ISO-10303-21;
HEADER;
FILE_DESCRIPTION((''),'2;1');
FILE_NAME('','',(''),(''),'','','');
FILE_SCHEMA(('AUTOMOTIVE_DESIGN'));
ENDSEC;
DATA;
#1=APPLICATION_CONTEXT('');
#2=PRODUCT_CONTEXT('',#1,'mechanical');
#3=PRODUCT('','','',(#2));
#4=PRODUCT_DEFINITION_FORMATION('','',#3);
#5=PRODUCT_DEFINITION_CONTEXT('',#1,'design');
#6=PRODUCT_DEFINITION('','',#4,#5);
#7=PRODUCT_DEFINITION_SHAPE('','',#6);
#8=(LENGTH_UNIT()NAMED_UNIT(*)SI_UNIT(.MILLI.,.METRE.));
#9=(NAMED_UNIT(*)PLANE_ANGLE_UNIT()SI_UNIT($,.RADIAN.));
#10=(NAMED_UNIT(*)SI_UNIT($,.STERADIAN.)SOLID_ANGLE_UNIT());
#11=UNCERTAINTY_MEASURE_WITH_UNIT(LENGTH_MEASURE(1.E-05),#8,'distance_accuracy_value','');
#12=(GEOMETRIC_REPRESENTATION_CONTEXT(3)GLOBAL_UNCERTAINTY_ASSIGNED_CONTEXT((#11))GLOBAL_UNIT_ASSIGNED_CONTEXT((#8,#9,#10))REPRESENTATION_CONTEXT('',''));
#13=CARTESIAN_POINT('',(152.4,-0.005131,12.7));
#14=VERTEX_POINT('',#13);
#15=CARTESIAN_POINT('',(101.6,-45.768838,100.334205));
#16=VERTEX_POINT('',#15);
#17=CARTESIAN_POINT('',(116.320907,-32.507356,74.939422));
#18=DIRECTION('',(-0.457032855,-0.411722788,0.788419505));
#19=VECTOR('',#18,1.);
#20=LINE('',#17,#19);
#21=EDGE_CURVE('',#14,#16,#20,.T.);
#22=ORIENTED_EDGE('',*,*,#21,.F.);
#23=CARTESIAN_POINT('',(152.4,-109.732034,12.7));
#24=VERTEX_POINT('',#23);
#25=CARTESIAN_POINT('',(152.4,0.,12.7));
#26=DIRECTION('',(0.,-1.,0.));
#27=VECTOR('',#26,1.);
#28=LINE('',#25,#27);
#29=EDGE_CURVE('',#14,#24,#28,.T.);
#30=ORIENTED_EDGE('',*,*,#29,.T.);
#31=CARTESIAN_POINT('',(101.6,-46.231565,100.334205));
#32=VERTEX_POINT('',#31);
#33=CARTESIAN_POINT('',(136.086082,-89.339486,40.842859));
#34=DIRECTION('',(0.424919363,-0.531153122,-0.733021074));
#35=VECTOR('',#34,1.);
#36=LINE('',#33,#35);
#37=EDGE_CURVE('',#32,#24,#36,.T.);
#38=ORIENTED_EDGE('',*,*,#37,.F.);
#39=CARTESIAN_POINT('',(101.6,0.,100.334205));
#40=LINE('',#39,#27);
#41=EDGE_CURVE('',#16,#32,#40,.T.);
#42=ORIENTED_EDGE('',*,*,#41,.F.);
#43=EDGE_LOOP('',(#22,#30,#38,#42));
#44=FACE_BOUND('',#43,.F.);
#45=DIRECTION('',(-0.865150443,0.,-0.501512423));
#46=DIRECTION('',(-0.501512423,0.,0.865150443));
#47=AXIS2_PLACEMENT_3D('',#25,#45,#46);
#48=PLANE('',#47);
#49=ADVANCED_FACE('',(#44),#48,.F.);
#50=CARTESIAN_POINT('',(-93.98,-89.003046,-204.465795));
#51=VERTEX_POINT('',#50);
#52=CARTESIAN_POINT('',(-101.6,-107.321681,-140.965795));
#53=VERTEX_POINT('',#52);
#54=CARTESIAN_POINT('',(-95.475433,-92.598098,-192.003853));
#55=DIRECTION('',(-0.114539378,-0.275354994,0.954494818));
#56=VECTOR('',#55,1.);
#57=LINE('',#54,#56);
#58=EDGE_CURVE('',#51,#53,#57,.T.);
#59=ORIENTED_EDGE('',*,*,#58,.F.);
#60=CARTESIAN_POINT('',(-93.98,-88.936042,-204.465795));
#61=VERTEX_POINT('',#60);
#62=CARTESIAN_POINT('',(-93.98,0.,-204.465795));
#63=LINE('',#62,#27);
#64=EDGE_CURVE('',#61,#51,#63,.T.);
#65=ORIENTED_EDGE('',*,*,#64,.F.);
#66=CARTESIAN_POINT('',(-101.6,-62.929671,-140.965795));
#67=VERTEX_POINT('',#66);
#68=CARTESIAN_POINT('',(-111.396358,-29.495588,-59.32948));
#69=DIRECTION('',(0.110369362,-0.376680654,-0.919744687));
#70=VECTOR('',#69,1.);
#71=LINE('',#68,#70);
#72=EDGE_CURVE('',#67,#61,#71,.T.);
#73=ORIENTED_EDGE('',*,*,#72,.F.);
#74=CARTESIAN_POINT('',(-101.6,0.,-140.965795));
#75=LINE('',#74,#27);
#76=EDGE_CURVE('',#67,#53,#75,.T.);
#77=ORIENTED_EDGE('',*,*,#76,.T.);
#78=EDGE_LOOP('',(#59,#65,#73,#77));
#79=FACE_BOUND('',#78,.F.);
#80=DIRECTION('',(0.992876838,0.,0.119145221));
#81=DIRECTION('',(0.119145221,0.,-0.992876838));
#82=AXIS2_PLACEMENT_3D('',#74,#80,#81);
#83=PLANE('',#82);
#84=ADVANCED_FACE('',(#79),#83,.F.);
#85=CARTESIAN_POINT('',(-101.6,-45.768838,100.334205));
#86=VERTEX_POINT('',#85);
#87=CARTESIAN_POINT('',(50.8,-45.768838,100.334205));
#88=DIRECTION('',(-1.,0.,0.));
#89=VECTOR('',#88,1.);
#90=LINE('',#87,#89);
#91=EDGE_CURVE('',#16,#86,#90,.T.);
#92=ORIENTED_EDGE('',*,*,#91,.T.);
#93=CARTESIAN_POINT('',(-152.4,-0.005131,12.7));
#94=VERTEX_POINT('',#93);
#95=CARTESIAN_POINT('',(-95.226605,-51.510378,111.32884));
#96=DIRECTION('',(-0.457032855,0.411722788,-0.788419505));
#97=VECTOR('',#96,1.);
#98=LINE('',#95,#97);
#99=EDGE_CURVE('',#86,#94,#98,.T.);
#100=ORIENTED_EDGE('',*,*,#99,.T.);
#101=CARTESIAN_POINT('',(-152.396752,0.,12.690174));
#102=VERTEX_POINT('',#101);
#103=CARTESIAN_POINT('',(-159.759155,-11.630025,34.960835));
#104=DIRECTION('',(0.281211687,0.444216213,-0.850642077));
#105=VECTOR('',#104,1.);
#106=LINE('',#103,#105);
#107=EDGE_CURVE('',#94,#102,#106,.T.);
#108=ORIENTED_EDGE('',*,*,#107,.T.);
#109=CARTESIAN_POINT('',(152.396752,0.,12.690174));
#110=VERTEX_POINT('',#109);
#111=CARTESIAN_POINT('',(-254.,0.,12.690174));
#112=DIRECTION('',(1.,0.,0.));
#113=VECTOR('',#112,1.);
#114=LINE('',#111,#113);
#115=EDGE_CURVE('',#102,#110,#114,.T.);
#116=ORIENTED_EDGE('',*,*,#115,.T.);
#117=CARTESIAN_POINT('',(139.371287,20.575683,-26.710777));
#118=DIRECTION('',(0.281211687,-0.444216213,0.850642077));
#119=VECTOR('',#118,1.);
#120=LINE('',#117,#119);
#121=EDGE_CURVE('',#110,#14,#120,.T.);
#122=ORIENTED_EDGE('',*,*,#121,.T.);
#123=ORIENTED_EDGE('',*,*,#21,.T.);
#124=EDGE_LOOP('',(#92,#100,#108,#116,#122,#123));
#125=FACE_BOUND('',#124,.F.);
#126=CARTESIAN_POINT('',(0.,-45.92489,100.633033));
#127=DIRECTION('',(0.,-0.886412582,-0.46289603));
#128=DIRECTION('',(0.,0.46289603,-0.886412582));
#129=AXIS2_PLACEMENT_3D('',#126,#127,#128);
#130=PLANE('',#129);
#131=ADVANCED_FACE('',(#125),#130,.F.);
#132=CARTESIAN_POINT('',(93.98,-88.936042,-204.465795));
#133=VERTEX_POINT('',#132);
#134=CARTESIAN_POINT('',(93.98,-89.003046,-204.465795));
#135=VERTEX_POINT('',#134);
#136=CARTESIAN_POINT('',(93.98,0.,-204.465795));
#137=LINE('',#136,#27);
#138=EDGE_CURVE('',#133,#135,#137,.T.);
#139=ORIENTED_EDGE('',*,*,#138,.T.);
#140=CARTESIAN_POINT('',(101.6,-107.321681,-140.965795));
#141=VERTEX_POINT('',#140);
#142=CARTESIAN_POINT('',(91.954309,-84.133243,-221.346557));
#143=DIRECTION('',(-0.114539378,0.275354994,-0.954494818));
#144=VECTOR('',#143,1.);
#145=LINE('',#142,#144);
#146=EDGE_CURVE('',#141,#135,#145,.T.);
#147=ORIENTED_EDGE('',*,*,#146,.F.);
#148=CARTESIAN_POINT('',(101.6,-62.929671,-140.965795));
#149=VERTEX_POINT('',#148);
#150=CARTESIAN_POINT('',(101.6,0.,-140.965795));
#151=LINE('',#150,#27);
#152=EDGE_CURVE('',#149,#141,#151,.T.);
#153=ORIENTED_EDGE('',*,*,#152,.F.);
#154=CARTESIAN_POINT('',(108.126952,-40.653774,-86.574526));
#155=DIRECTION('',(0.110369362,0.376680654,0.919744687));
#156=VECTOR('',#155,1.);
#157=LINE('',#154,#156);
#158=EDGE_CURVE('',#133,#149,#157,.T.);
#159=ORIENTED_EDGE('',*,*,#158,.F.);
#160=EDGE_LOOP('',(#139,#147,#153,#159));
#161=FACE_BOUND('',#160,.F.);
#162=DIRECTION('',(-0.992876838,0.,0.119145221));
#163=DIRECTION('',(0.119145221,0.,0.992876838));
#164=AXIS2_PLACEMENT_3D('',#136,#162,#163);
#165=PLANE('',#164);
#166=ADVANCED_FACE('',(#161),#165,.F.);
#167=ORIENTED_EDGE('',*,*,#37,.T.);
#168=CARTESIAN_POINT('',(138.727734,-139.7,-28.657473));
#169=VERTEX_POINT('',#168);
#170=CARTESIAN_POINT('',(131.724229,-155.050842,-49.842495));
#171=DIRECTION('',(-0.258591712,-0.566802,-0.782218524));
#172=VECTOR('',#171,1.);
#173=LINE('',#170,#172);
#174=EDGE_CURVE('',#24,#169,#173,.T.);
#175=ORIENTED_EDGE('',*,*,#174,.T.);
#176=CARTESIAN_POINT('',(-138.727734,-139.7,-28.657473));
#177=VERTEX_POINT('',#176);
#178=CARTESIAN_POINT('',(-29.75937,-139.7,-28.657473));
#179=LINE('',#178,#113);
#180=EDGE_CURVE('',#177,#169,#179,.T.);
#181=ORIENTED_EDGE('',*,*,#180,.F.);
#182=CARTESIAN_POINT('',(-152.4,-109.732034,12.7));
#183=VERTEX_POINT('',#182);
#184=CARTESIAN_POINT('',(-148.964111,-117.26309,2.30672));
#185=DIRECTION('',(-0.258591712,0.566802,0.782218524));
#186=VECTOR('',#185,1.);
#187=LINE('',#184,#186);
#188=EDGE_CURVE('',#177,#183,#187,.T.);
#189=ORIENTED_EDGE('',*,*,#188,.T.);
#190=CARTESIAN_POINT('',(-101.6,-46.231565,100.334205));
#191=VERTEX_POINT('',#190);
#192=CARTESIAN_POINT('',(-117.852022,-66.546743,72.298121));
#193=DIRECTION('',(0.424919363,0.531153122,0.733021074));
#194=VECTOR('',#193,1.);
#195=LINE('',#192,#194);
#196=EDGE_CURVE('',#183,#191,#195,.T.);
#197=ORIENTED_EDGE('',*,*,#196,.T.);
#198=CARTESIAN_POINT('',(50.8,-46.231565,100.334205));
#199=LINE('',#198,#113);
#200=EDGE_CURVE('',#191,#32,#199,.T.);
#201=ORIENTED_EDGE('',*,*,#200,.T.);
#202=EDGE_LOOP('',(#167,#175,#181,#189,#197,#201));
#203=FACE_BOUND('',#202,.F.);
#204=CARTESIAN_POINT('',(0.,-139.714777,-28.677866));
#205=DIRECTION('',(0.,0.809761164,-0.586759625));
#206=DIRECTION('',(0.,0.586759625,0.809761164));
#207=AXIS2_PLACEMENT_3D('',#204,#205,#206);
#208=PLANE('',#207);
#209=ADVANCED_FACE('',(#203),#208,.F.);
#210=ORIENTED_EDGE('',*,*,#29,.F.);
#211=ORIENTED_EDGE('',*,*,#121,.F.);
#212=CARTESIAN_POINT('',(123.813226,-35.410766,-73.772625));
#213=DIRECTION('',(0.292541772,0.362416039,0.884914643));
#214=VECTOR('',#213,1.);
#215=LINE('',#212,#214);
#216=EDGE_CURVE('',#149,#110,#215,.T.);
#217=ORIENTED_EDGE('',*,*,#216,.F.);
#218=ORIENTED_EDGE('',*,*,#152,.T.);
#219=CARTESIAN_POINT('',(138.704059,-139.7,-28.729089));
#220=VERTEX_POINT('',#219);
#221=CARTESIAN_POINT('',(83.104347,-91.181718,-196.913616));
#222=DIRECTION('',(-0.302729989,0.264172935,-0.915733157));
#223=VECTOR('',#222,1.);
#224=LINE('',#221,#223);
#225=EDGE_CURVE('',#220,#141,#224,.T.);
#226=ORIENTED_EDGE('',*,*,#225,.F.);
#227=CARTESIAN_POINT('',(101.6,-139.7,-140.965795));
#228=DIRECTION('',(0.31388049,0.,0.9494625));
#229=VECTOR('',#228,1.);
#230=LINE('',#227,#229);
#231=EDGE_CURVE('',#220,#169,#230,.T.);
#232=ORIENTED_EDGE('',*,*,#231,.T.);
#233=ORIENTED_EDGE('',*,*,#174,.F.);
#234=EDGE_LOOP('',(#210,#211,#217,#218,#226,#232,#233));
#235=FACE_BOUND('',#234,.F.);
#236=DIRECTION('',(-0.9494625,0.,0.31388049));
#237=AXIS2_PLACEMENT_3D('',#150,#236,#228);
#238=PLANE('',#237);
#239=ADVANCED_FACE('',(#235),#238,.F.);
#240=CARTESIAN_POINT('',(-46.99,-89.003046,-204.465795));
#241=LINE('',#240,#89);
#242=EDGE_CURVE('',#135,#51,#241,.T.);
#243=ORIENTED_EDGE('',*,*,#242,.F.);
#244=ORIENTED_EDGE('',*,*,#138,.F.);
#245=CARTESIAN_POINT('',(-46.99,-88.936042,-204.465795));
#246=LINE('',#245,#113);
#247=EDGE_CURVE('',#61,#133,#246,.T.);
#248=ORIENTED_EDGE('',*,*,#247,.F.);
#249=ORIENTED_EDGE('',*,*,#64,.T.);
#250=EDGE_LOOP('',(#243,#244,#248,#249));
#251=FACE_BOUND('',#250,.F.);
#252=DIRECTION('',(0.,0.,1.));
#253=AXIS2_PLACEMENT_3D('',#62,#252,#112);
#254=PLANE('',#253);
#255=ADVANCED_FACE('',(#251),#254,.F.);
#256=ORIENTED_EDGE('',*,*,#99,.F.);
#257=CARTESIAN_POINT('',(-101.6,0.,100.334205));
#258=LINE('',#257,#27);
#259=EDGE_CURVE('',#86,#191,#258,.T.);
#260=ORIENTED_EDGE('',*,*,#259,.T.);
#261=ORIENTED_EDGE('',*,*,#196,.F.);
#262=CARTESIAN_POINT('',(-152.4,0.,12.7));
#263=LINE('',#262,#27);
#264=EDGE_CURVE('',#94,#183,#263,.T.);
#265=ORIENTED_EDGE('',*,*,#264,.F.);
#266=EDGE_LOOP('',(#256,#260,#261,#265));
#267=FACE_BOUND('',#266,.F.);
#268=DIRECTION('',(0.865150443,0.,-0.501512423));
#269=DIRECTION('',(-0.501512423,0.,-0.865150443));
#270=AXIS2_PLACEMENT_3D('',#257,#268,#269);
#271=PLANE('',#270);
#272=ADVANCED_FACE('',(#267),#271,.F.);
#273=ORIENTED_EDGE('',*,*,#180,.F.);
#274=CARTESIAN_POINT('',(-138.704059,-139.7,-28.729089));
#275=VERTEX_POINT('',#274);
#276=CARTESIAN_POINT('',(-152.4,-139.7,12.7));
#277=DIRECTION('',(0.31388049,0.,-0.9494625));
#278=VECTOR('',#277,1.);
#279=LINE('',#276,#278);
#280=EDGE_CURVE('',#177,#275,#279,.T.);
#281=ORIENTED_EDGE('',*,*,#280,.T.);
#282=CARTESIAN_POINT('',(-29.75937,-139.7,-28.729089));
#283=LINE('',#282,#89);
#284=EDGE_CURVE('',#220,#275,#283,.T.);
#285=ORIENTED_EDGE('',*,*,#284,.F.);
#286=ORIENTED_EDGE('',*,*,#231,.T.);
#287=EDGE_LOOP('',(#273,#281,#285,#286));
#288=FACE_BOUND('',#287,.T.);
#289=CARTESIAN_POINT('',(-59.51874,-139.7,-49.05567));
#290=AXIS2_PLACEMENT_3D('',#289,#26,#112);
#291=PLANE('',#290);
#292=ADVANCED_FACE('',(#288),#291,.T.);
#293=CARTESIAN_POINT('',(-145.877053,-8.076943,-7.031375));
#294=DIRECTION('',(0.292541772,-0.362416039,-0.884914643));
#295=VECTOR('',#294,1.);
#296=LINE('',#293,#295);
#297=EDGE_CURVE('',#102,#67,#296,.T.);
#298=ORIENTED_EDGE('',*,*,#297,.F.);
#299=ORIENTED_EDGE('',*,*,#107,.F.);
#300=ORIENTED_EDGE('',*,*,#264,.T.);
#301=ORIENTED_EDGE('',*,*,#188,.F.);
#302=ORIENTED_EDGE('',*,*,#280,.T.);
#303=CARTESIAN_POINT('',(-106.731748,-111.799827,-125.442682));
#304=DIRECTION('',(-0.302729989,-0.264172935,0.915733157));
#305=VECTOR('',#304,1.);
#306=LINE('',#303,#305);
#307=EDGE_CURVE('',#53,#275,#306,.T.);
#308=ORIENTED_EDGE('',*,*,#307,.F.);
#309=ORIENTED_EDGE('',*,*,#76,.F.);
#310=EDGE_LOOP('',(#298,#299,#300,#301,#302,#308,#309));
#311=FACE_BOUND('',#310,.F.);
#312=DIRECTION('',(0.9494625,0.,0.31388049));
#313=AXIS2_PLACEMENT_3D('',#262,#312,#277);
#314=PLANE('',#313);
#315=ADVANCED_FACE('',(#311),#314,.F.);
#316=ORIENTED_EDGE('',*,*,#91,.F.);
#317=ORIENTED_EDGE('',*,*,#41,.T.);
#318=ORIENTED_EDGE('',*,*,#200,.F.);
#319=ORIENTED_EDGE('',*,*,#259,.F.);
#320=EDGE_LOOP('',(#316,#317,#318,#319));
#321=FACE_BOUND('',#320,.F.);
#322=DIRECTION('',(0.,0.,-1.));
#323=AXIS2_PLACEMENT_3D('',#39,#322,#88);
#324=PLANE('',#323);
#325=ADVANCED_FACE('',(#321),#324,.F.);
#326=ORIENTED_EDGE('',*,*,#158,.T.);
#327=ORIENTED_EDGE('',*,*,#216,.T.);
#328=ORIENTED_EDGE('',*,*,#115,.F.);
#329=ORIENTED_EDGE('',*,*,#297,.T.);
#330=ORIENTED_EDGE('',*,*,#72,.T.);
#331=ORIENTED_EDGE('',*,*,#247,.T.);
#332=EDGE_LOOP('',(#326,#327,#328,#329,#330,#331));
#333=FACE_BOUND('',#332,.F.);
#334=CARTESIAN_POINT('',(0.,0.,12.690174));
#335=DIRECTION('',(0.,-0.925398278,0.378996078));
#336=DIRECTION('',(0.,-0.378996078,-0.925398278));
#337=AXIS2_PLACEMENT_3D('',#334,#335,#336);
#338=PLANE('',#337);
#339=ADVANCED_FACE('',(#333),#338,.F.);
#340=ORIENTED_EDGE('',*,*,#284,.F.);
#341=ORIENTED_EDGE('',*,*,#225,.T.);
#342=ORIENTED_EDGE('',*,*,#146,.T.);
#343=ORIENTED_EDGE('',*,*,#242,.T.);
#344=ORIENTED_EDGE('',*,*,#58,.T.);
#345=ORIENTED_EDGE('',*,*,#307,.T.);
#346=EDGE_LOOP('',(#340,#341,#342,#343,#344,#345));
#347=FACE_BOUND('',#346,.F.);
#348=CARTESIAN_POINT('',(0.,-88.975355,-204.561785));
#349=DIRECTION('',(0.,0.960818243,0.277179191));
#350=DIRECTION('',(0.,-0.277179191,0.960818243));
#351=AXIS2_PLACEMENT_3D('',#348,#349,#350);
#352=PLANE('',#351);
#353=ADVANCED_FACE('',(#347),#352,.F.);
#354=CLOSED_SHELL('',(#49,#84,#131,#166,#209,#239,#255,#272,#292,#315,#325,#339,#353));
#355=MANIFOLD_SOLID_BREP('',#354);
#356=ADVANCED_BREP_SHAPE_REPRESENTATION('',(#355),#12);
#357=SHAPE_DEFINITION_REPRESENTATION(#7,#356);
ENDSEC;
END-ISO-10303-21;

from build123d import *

# Parameters (mm, degrees)
F1_DEPTH = 139.7
F3_DEPTH = 254


with BuildPart() as f1:
    # F0 (on Front) → F1 (new body)
    with BuildSketch(Plane.XZ):
        Polygon((-101.6, 100.334205), (-152.4, 12.7), (-101.6, -140.965795), (-93.98, -204.465795), (0, -204.465795), (0, 100.334205), align=None)
        Polygon((101.6, 100.334205), (0, 100.334205), (0, -204.465795), (93.98, -204.465795), (101.6, -140.965795), (152.4, 12.7), align=None)
    extrude(amount=F1_DEPTH)

    # F2 (on Right) → F3 (cut, symmetric)
    with BuildSketch(Plane.YZ):
        Polygon((11.297926, 100.633033), (-45.92489, 100.633033), (0, 12.690174), (-88.975355, -204.561785), (-139.714777, -28.677866), (-46.015032, 100.633033), (-152.156293, 100.633033), (-152.156293, -218.677998), (11.297926, -218.677998), align=None)
    extrude(amount=F3_DEPTH, both=True, mode=Mode.SUBTRACT)


solid = f1.part
